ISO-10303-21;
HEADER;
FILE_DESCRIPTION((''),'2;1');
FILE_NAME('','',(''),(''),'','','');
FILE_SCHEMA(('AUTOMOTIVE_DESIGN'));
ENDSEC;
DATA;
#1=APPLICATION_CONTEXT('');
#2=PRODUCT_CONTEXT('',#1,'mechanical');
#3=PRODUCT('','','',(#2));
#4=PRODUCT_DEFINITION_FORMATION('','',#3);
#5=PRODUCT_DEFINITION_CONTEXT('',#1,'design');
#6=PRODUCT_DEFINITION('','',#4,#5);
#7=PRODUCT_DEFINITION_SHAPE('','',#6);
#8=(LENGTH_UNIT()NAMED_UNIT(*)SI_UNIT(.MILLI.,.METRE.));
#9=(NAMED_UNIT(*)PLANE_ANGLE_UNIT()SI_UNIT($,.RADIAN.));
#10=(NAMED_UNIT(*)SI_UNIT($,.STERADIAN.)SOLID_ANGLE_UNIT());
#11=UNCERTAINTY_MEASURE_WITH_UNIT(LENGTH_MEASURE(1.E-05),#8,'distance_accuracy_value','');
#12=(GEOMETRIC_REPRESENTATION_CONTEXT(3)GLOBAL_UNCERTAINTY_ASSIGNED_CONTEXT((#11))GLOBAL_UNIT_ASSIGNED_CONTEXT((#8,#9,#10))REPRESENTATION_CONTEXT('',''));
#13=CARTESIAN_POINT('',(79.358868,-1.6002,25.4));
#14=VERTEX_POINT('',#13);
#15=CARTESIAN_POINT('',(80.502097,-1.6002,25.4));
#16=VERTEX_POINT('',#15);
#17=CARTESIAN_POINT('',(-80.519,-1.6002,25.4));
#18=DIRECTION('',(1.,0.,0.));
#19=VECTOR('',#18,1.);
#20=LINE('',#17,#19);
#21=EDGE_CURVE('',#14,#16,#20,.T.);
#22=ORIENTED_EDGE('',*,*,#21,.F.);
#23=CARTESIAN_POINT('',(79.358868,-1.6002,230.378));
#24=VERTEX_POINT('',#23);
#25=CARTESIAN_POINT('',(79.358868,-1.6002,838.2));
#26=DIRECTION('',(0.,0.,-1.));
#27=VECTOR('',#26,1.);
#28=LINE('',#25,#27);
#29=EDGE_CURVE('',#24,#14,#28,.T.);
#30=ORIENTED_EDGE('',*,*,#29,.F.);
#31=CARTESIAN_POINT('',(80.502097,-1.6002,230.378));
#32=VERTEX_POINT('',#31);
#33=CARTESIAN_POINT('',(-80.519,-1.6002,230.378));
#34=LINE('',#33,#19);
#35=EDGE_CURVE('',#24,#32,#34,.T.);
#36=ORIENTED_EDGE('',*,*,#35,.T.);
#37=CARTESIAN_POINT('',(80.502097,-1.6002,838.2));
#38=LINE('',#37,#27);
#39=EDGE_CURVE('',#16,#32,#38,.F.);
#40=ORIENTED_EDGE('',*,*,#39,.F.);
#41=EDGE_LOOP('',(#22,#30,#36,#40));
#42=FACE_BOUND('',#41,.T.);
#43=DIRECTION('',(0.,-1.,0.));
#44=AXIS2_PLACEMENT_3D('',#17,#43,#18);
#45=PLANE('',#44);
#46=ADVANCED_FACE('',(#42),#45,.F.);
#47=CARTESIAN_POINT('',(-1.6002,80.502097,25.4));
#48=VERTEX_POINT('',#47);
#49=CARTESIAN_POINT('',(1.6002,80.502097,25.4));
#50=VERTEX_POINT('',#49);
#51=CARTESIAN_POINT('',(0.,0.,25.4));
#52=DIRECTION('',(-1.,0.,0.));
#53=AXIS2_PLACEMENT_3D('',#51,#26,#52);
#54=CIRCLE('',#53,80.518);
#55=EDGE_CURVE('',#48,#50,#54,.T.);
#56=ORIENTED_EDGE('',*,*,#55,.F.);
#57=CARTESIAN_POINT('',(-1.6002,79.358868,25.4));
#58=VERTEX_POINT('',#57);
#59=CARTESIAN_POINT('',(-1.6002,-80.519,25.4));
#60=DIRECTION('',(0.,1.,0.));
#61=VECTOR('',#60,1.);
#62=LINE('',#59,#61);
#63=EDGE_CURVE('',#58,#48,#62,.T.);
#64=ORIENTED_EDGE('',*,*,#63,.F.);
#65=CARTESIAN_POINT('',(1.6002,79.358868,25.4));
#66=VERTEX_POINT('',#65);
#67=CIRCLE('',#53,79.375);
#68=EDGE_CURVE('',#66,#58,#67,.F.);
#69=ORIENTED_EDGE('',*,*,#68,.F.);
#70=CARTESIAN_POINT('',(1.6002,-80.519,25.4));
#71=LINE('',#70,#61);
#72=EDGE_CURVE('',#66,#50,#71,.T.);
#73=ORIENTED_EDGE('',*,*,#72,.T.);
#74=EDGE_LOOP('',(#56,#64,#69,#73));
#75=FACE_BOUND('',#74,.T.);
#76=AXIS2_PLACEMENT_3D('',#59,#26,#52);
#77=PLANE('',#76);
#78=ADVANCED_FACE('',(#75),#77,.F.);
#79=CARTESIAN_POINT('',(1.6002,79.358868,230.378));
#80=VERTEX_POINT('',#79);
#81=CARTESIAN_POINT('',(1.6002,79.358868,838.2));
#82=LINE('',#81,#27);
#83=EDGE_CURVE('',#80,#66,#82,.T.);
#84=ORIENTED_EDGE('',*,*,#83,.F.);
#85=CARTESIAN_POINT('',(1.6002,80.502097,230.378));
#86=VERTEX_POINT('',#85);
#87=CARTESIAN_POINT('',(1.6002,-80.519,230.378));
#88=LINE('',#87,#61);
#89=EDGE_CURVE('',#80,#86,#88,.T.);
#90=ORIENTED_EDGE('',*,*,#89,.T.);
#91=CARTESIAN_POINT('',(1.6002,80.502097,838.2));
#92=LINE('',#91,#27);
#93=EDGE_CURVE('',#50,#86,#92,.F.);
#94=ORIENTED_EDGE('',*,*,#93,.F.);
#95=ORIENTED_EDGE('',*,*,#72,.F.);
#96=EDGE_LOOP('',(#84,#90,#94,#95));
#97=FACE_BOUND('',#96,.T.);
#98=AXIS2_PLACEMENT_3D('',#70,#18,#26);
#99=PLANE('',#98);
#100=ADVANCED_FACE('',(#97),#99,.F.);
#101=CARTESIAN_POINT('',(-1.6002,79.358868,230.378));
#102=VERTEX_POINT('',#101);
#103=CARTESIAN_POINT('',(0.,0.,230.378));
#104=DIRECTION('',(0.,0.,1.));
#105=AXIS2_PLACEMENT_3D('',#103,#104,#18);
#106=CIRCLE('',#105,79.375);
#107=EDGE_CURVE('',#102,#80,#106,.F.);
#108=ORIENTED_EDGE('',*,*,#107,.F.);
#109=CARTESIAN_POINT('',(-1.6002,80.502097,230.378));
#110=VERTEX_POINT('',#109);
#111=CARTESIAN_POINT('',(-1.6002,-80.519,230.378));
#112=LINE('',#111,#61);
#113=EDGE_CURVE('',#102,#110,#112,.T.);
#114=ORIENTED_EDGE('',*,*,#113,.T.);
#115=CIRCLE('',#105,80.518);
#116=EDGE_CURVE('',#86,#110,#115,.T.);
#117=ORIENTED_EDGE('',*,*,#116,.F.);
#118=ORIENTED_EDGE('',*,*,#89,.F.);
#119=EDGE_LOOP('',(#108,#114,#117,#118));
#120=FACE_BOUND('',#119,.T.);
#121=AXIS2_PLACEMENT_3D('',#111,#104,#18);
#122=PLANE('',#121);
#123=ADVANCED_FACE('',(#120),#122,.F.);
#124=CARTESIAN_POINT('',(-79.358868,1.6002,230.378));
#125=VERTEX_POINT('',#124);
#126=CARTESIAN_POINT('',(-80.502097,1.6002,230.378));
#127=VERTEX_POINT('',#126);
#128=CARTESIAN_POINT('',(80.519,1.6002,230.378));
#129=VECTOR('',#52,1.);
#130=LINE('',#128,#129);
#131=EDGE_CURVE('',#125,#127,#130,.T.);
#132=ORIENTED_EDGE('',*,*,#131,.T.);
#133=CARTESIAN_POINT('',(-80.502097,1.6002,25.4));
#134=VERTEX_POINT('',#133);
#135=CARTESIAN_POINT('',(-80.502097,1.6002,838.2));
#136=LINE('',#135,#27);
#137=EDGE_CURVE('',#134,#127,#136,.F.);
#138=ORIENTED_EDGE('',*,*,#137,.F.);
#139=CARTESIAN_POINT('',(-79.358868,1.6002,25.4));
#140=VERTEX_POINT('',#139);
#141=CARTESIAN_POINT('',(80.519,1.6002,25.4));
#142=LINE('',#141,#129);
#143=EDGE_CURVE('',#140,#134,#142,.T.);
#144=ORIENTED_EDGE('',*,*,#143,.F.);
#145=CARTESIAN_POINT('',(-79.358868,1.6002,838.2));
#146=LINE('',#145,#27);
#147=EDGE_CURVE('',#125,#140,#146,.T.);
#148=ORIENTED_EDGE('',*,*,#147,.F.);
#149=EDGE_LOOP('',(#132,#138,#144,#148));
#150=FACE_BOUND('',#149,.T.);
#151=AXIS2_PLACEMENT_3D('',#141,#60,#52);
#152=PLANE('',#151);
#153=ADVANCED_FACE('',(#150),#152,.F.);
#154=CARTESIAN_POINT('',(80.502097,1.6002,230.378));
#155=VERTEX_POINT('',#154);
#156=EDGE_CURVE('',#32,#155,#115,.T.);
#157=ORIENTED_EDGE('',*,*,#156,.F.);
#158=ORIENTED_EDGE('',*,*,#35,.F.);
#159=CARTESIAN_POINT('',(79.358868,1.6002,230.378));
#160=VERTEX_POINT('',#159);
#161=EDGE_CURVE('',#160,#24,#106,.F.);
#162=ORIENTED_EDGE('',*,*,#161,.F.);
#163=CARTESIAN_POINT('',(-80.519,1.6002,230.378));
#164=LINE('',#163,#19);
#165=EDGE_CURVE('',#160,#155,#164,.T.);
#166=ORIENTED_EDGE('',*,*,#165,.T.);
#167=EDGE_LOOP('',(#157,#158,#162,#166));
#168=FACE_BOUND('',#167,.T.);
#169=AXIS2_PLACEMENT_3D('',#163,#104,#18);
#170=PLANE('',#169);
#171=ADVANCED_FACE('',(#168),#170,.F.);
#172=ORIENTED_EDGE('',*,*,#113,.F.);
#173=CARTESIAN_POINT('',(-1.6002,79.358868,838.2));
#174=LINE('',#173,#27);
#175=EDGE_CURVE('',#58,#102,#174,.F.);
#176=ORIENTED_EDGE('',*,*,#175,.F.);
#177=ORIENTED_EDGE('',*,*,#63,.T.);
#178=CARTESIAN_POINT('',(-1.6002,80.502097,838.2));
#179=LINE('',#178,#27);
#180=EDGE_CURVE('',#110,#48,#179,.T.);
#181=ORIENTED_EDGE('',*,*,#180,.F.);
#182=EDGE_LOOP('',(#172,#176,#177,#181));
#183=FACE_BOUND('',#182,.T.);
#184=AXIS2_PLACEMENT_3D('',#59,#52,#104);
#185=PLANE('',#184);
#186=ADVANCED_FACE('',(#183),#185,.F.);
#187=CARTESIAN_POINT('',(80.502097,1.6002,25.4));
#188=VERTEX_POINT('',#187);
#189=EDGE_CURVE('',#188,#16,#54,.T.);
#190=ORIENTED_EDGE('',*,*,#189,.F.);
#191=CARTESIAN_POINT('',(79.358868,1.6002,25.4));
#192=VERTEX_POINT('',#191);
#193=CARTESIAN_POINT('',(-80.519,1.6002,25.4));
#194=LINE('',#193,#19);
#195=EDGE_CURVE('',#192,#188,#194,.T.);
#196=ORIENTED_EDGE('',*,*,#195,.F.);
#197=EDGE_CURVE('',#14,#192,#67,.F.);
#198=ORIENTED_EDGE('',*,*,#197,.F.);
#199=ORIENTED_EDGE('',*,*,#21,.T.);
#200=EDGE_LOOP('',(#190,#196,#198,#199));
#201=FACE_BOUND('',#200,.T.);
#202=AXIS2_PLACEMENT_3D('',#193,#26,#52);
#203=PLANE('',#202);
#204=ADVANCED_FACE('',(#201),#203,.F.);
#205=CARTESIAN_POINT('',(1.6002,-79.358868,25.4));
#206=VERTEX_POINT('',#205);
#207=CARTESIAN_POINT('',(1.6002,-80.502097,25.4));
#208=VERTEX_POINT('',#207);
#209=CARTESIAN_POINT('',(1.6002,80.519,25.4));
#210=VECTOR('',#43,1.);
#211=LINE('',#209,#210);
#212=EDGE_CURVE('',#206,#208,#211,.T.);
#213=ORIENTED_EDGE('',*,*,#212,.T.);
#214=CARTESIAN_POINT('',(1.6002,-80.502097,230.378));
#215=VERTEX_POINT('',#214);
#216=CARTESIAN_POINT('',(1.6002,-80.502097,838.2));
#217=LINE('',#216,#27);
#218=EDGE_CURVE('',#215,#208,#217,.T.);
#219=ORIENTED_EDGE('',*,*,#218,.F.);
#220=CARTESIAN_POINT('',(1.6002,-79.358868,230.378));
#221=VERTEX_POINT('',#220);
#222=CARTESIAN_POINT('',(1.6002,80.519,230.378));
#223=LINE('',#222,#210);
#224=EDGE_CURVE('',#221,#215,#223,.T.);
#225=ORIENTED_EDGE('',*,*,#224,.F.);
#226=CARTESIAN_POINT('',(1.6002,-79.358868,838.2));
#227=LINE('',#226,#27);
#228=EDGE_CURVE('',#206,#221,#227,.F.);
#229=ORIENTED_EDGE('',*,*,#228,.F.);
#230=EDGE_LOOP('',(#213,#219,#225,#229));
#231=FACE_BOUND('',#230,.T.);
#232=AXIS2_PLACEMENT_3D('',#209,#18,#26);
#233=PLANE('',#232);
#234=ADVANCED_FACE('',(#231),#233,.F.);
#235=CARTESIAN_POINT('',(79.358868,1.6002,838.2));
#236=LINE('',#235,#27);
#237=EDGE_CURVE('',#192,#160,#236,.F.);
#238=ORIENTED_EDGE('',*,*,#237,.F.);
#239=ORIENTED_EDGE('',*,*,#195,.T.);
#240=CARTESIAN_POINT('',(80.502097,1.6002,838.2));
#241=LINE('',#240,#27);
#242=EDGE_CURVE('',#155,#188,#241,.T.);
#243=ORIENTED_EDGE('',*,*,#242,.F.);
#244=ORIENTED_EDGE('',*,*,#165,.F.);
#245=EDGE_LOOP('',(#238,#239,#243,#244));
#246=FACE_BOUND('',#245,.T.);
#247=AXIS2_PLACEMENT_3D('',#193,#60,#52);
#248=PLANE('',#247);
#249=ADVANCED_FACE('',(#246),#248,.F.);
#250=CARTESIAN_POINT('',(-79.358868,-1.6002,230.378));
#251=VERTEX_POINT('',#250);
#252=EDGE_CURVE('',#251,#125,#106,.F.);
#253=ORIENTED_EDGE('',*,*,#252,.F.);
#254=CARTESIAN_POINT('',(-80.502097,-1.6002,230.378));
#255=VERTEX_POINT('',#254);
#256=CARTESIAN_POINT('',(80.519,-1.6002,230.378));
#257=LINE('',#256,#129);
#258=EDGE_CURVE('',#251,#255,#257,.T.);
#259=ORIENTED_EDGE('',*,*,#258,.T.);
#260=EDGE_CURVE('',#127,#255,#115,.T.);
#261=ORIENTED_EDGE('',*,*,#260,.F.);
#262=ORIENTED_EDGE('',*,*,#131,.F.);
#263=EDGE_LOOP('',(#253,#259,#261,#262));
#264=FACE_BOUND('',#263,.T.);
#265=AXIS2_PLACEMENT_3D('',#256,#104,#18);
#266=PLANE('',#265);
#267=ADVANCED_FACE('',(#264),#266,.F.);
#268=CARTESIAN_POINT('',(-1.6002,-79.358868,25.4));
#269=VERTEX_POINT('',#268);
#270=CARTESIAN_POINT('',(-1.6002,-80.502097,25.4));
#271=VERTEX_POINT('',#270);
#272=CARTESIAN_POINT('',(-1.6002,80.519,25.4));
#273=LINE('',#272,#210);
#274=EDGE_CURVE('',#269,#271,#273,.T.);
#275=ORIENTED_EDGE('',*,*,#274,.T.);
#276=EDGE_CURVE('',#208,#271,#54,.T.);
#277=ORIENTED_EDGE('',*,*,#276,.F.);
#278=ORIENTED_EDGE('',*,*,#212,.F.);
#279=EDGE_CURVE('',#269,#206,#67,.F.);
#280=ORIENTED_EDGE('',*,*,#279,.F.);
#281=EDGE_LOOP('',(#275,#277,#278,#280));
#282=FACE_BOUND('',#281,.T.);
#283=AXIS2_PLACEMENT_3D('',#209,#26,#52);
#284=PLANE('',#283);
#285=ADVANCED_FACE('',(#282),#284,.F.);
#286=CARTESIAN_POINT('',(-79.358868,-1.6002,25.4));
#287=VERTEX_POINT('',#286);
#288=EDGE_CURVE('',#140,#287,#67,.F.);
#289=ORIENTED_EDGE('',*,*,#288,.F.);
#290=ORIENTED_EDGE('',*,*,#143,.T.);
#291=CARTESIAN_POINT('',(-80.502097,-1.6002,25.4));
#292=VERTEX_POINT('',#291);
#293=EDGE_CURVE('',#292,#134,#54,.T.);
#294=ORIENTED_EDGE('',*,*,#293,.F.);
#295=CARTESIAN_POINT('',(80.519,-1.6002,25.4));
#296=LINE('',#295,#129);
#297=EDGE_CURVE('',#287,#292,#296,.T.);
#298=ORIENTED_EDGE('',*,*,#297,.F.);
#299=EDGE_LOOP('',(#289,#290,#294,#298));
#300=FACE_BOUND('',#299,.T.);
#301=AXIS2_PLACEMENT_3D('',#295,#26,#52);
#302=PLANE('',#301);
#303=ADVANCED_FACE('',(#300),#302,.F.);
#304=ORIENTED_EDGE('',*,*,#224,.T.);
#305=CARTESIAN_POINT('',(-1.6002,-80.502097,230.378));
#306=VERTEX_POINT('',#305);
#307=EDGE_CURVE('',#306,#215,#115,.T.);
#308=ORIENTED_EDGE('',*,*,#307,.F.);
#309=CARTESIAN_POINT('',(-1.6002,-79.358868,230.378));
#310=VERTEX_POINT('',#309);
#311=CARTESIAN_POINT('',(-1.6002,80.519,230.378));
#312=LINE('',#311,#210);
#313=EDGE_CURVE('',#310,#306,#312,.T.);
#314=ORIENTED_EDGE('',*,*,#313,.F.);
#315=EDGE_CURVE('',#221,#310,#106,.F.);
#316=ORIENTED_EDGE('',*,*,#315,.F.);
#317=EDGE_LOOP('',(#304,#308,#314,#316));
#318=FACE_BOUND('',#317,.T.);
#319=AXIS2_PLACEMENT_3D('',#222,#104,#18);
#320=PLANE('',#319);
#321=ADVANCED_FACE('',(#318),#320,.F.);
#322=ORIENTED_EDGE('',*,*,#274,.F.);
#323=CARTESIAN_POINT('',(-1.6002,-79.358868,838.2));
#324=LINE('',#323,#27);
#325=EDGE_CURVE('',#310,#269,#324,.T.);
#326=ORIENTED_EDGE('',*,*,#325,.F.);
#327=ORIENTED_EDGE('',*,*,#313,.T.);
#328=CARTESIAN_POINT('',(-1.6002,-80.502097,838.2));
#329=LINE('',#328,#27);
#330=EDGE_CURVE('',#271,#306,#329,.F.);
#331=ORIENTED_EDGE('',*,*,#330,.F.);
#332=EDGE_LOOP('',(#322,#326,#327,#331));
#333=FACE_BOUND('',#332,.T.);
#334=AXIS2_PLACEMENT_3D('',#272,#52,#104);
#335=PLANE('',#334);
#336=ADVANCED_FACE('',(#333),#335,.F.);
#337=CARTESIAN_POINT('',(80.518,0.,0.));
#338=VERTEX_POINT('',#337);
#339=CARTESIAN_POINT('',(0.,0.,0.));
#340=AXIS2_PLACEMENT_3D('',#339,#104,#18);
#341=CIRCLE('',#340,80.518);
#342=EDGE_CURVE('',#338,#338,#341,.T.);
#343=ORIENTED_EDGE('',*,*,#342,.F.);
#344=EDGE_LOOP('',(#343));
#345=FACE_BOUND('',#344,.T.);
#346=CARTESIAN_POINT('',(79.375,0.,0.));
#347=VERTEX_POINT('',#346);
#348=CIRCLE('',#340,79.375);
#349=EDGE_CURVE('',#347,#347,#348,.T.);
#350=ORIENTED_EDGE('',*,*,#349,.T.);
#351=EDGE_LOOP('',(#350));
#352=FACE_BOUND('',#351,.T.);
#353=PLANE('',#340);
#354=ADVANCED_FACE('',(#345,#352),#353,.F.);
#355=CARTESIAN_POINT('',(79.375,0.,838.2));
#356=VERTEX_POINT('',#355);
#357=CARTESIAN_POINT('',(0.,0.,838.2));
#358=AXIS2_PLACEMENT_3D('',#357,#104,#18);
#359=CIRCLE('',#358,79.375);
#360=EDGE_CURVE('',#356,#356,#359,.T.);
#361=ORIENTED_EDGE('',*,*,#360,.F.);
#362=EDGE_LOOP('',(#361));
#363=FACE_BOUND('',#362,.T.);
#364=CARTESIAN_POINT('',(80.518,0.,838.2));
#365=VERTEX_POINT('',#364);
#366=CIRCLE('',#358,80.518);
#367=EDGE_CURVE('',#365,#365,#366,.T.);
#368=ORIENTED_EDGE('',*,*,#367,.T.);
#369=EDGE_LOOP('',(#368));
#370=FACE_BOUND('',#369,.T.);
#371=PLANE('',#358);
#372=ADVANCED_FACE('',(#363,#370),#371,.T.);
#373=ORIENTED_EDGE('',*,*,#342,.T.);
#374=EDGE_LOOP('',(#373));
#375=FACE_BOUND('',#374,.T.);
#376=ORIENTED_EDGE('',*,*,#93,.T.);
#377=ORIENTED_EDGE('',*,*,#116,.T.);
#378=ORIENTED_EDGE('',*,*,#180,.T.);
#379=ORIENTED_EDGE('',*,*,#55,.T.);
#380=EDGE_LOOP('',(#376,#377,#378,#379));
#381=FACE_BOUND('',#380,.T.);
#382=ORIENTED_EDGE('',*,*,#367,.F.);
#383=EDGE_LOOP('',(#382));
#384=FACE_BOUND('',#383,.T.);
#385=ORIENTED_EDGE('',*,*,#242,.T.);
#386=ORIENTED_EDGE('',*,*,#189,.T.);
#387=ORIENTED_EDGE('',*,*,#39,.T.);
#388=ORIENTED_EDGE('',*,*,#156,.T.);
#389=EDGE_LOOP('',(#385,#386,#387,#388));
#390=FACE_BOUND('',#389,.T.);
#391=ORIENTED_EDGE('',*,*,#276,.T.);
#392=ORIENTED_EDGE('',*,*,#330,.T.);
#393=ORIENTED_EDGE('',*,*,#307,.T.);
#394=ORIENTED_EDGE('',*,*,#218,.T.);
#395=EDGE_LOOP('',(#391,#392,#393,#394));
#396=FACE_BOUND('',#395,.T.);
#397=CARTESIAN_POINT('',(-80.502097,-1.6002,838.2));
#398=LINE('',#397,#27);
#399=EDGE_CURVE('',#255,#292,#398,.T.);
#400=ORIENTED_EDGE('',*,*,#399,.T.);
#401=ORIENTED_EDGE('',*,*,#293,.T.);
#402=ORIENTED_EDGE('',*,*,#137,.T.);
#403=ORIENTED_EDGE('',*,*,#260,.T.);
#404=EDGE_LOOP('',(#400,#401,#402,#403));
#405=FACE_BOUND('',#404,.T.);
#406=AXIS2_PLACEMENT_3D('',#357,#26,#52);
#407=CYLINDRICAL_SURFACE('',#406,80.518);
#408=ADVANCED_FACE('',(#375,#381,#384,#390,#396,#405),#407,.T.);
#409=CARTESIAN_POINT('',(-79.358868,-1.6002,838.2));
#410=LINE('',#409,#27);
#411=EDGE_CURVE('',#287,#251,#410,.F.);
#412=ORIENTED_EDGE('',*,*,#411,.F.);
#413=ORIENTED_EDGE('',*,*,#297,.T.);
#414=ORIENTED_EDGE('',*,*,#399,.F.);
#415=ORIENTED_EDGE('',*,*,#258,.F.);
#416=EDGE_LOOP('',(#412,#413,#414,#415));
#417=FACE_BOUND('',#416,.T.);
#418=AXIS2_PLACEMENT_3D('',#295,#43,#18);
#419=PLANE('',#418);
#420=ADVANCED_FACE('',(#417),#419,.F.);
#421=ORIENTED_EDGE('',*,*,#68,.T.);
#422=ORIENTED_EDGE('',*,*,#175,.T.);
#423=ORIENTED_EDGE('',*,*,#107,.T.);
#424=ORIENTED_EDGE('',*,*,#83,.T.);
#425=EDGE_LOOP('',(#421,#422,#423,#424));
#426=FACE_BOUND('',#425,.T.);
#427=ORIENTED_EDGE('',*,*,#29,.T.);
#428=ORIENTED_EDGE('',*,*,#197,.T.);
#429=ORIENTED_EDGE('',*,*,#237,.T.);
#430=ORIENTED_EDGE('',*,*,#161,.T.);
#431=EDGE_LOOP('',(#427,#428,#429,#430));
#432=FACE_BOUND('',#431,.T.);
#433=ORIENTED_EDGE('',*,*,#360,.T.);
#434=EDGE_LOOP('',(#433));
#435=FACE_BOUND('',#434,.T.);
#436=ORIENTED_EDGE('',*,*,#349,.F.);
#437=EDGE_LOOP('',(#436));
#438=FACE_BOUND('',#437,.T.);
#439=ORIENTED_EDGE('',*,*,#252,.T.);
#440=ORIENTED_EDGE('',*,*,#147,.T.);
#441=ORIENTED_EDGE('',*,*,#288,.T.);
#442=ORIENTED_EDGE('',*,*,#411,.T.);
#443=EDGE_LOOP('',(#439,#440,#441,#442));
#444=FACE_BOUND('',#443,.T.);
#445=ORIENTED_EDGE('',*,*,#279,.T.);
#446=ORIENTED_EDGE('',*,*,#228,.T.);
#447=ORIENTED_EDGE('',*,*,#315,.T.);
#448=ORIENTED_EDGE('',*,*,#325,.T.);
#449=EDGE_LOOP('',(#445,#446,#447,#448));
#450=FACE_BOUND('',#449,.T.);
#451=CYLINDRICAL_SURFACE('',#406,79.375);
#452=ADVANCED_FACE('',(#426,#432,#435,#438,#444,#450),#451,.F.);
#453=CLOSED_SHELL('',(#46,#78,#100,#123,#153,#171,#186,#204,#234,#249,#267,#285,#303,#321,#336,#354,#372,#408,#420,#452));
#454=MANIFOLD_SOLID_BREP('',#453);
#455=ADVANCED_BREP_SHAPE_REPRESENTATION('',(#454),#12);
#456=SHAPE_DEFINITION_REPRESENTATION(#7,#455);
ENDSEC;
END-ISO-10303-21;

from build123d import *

# Parameters (mm, degrees)
SKETCH1_R           = 80.518
SKETCH1_R_2         = 79.375
BOSS_EXTRUDE1_DEPTH = 838.2
SKETCH3_W           = 3.2004
SKETCH3_H           = 204.978
CUT_EXTRUDE1_DEPTH  = 1.159132
CIRPATTERN1_COUNT   = 4


with BuildPart() as part:
    # Sketch1 → Boss-Extrude1 (new body)
    with BuildSketch(Plane.XY):
        Circle(SKETCH1_R)
        Circle(SKETCH1_R_2, mode=Mode.SUBTRACT)
    extrude(amount=BOSS_EXTRUDE1_DEPTH)

    # Sketch3 → Cut-Extrude1 (cut)
    with BuildSketch(Plane(origin=(0, 80.518, 0), x_dir=(1, 0, 0), z_dir=(0, 1, 0))):
        with Locations((0, -127.889)):
            Rectangle(SKETCH3_W, SKETCH3_H)
    cut_extrude1 = extrude(amount=-CUT_EXTRUDE1_DEPTH, mode=Mode.SUBTRACT)

    # CirPattern1: Cut-Extrude1 ×4 about axis
    cirpattern1_axis = Axis((0, 0, 0), (0, 0, 1))
    for i in range(1, CIRPATTERN1_COUNT):
        add(cut_extrude1.rotate(cirpattern1_axis, i * 360 / CIRPATTERN1_COUNT), mode=Mode.SUBTRACT)


solid = part.part
